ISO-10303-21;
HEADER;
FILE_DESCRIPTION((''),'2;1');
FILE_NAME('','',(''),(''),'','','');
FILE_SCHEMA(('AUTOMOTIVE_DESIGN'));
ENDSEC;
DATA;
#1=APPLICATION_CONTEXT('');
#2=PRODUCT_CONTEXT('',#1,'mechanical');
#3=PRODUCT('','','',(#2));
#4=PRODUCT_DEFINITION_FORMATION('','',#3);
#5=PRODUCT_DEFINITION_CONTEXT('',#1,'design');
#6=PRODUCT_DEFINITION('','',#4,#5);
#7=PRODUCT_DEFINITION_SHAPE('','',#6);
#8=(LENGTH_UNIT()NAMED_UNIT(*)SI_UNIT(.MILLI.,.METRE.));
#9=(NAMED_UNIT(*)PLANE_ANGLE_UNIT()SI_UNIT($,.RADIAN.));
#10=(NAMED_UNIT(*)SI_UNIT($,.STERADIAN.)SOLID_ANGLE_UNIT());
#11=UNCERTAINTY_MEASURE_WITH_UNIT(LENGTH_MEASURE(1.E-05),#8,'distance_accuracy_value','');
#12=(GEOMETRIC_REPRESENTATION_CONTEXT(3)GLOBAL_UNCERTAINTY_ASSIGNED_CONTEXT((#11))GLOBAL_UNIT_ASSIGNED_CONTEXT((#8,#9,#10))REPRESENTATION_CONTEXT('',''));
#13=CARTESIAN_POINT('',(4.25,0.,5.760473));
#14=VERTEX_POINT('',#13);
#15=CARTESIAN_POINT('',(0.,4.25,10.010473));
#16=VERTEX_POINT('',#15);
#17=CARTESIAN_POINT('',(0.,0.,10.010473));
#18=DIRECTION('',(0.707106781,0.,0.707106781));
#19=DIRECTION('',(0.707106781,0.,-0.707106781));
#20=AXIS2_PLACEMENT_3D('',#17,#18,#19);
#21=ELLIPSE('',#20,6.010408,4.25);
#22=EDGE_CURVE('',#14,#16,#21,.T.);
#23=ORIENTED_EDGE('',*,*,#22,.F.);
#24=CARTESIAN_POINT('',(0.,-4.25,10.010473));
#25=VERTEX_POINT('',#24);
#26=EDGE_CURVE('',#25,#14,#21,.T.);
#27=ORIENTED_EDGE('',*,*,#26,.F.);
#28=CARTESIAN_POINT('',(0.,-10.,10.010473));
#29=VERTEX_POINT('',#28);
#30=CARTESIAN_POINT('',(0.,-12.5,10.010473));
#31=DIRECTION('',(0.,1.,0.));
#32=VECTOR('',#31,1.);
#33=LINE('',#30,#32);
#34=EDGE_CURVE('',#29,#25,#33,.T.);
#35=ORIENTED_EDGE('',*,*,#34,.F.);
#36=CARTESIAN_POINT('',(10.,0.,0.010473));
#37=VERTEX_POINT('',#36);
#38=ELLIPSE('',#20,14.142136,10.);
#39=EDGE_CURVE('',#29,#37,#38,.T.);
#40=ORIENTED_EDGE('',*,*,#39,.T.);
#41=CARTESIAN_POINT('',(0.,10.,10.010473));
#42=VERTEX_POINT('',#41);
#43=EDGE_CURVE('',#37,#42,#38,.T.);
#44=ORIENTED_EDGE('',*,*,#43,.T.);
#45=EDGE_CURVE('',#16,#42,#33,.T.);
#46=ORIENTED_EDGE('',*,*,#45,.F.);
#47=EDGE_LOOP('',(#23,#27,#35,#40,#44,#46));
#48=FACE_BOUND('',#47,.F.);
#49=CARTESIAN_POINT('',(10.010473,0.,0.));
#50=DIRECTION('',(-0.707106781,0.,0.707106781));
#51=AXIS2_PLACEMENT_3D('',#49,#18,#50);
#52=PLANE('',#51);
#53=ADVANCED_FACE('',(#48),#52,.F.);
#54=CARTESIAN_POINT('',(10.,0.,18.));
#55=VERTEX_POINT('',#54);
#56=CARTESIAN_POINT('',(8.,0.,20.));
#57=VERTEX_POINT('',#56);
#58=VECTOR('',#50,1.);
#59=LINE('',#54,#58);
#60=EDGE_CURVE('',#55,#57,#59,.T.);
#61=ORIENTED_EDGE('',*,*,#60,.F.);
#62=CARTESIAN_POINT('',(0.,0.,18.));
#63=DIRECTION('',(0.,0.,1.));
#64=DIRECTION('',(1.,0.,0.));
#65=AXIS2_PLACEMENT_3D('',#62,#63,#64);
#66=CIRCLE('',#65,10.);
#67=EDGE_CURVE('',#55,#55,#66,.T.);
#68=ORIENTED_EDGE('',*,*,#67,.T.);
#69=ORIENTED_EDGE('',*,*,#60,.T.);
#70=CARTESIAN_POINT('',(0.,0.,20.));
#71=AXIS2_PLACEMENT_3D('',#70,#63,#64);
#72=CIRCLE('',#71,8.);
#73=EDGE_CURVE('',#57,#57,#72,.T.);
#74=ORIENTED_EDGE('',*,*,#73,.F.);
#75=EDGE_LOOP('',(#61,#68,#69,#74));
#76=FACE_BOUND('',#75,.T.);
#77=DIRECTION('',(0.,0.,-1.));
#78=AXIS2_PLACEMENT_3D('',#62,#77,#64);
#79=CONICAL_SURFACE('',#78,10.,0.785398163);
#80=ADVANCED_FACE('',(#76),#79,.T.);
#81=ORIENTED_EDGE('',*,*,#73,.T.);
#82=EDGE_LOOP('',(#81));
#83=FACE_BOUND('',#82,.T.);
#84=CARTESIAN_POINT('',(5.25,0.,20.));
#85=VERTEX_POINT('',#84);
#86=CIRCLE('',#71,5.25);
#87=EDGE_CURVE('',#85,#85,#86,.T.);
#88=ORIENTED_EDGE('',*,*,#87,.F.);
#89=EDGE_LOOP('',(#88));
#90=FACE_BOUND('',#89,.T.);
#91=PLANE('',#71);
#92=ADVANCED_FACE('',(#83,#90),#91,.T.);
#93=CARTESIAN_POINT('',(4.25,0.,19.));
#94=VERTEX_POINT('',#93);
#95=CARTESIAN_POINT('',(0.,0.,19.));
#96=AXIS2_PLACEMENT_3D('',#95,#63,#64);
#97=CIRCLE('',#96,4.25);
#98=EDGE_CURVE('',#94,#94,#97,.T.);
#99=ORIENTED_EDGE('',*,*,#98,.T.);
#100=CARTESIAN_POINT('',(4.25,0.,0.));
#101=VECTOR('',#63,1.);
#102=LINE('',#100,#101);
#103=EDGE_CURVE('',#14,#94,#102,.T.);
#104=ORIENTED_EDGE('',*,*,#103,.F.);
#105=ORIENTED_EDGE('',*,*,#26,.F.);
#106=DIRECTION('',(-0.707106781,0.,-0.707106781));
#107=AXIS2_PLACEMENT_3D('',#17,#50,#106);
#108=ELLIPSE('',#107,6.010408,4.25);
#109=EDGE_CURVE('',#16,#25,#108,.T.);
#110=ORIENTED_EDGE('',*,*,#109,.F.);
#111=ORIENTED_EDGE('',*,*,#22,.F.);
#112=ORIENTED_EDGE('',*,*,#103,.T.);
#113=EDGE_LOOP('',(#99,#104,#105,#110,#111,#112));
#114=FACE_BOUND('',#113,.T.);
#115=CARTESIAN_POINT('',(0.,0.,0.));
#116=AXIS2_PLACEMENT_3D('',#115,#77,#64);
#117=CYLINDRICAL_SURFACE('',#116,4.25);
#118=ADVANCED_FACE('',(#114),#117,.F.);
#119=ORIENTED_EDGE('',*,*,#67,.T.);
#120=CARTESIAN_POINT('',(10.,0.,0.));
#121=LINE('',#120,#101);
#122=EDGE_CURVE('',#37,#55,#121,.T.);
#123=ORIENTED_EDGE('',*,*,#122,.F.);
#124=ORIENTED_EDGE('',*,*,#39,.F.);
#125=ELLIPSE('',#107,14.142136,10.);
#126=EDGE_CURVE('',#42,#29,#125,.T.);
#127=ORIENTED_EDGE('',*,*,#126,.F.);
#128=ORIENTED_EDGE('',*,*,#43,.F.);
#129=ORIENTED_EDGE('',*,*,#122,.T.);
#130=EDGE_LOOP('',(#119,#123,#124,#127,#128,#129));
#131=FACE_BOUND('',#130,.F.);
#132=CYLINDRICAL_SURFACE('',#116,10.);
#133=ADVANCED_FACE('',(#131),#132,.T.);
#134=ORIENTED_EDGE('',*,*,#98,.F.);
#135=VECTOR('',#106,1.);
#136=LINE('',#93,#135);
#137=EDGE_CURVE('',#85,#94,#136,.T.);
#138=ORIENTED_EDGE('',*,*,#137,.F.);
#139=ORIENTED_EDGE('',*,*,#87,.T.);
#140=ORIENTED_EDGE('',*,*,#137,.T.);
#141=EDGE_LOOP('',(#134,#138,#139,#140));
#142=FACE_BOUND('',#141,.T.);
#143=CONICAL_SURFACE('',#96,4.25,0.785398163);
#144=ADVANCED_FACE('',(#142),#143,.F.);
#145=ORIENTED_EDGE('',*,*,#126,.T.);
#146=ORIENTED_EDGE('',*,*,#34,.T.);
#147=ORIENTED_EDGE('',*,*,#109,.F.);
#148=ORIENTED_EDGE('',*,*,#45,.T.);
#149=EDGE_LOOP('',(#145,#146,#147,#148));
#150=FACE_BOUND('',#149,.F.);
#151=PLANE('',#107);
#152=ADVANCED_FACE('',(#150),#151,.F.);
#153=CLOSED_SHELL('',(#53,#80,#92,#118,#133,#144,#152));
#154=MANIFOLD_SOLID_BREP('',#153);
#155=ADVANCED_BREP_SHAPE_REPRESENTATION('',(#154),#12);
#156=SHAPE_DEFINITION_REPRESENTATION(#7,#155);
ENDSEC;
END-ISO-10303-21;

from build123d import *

# Parameters (mm, degrees)
F0_R     = 10
F0_R_2   = 4.25
F1_DEPTH = 20
F3_DEPTH = 12.5
F4_SIZE  = 2
F5_SIZE  = 1


with BuildPart() as f1:
    # F0 (on Top) → F1 (new body)
    with BuildSketch(Plane.XY):
        Circle(F0_R)
        Circle(F0_R_2, mode=Mode.SUBTRACT)
    extrude(amount=F1_DEPTH)

    # F2 (on Front) → F3 (cut, symmetric)
    with BuildSketch(Plane.XZ):
        Polygon((0, 10.010473), (-10.010473, 0), (10.010473, 0), align=None)
    extrude(amount=F3_DEPTH, both=True, mode=Mode.SUBTRACT)

    # F4
    f4_edges = [f1.edges().sort_by_distance(p)[0] for p in [
        (-10, 0, 20),
    ]]
    chamfer(f4_edges, length=F4_SIZE)

    # F5
    f5_edges = [f1.edges().sort_by_distance(p)[0] for p in [
        (-4.25, 0, 20),
    ]]
    chamfer(f5_edges, length=F5_SIZE)


solid = f1.part
